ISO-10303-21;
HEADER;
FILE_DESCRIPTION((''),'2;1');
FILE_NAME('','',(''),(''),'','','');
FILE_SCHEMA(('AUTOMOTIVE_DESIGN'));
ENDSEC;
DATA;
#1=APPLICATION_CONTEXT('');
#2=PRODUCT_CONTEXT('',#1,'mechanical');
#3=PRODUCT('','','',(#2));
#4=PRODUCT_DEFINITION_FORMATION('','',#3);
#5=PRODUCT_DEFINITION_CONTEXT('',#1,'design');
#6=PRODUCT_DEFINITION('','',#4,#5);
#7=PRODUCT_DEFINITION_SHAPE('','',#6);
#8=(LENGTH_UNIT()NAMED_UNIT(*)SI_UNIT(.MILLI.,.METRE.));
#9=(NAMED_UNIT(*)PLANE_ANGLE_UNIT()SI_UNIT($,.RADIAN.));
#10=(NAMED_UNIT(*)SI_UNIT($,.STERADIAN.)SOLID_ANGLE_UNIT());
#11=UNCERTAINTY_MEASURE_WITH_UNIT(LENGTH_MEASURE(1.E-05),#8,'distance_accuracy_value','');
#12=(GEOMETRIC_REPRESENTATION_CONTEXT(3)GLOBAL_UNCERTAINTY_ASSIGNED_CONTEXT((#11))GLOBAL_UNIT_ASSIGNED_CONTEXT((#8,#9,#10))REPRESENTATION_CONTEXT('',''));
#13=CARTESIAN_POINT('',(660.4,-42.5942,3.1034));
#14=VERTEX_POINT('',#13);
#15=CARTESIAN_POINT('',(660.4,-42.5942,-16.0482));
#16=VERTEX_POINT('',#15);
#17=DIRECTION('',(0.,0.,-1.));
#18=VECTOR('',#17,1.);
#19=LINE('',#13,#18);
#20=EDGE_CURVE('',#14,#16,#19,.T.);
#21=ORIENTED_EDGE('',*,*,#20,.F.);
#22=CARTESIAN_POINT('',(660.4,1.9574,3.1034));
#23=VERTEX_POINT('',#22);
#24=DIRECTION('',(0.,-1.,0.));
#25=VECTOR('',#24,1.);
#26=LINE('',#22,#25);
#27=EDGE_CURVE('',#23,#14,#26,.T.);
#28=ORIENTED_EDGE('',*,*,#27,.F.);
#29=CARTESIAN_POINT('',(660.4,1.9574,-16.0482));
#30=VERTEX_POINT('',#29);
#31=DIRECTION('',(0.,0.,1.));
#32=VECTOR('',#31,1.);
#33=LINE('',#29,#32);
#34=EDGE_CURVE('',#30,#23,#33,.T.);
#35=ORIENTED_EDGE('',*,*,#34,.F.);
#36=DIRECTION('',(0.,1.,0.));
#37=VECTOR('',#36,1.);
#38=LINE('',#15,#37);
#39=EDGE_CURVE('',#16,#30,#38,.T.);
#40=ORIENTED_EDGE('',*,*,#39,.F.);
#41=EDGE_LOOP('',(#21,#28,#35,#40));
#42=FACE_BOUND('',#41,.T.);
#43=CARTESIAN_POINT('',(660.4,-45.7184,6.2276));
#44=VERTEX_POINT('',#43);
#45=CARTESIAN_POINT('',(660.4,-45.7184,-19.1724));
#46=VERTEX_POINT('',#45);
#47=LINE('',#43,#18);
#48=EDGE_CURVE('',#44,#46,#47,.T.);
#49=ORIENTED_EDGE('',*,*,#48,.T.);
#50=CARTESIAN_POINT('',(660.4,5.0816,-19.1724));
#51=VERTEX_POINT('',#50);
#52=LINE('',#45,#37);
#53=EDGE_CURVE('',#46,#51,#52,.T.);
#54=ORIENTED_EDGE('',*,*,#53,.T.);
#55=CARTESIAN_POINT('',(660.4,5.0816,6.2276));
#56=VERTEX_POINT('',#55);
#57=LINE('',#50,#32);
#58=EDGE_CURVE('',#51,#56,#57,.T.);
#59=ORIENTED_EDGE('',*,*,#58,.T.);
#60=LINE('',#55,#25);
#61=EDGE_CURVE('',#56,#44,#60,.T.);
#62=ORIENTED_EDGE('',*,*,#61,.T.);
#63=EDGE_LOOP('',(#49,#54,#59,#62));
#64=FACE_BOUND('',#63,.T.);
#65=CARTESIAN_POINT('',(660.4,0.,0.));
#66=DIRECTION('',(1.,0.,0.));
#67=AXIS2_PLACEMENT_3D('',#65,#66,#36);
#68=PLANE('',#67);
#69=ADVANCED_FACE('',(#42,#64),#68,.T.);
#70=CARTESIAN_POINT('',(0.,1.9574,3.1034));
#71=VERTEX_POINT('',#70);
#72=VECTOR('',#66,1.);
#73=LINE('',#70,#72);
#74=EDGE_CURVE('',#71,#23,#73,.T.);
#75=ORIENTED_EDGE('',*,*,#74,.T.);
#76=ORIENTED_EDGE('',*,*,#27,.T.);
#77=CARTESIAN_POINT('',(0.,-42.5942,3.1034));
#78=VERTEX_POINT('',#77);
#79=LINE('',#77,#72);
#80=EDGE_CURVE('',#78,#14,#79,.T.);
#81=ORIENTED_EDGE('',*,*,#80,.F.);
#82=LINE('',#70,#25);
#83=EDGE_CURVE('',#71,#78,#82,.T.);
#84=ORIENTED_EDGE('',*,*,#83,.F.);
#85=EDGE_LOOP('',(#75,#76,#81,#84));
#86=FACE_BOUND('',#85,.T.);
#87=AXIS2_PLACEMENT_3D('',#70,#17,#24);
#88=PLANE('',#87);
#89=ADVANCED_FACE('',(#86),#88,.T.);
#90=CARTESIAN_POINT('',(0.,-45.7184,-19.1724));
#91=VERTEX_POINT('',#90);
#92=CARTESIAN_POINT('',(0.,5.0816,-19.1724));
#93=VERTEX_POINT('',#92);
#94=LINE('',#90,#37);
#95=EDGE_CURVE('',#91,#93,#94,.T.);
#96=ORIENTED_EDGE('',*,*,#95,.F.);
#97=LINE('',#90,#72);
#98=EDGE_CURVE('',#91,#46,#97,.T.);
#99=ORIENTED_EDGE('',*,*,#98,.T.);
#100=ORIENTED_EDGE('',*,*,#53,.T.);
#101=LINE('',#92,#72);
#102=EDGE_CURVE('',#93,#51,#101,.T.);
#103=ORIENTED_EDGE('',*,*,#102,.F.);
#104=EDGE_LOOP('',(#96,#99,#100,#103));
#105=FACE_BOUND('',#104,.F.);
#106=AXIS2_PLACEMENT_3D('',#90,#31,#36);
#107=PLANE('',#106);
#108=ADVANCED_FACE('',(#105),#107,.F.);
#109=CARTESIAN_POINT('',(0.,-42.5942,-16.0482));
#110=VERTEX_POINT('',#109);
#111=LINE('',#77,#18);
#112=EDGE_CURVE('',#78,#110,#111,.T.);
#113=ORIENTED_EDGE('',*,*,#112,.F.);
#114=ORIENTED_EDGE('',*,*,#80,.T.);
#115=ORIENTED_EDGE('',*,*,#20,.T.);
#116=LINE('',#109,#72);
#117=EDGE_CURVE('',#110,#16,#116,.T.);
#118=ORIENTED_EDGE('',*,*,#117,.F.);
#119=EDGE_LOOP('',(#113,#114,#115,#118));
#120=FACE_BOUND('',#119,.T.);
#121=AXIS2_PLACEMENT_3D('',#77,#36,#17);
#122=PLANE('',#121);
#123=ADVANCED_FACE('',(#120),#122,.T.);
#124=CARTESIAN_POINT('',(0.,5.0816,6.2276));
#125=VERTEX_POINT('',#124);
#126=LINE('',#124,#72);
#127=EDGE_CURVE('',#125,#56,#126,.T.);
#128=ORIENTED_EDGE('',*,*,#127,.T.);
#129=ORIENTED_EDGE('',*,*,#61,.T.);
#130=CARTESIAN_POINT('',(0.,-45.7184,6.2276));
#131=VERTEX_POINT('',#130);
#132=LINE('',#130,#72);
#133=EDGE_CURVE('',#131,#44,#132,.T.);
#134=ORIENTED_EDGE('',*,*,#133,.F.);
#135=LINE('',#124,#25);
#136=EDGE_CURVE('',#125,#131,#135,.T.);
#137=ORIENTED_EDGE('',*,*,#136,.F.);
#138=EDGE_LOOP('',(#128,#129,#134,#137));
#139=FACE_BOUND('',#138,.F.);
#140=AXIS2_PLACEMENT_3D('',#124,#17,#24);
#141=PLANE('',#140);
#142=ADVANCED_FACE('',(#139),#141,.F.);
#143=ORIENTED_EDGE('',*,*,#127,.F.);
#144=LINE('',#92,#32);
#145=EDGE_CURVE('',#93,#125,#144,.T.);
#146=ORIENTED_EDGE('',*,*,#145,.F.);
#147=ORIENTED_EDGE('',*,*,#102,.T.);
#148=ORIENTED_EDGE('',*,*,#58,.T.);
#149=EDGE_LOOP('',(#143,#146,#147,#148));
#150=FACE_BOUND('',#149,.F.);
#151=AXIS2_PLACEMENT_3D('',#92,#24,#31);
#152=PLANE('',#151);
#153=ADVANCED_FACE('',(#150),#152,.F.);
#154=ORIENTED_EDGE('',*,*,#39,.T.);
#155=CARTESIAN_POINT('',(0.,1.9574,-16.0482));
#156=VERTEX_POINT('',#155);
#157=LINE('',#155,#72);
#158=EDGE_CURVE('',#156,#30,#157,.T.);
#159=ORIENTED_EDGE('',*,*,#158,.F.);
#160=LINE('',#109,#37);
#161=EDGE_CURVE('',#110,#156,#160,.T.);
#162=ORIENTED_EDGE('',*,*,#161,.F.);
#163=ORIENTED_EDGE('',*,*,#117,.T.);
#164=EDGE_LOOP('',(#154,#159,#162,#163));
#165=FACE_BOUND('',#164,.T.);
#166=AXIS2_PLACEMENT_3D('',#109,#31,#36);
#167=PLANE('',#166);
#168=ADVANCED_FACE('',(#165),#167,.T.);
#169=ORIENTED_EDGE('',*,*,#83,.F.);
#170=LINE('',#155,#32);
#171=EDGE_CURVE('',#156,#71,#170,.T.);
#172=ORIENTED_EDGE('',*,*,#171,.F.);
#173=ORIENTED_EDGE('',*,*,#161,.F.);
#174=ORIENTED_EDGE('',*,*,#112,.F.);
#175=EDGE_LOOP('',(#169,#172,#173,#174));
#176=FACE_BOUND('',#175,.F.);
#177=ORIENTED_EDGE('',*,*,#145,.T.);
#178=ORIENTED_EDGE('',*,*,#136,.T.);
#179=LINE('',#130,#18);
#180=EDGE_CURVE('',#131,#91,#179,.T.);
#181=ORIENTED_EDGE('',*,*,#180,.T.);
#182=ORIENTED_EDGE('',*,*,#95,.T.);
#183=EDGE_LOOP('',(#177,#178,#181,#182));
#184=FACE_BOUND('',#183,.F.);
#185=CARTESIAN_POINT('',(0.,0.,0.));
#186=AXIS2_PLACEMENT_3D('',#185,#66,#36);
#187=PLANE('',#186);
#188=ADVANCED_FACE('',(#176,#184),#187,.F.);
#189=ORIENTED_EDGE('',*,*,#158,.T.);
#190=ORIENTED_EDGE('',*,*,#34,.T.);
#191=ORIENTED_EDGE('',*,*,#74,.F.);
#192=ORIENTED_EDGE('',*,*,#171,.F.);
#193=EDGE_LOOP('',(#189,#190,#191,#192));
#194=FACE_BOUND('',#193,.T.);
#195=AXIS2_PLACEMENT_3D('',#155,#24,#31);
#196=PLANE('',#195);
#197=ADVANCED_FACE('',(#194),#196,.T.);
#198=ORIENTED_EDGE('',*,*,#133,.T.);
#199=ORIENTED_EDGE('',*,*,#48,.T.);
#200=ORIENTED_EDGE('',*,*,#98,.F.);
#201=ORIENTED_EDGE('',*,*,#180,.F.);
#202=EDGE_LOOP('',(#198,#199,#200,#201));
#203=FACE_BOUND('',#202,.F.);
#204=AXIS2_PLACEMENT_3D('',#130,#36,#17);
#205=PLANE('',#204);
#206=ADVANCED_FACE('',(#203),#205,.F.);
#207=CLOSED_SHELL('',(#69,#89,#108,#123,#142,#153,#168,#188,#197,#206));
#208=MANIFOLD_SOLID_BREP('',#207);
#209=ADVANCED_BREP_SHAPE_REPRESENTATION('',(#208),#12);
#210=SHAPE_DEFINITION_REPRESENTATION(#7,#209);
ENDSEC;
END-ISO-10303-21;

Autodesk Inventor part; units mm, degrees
ref_plane "YZ Plane" through (0, 0, 0) normal (1, 0, 0) x (0, 1, 0)
ref_plane "XZ Plane" through (0, 0, 0) normal (0, 1, 0) x (-1, 0, 0)
ref_plane "XY Plane" through (0, 0, 0) normal (0, 0, 1) x (1, 0, 0)
sketch "Sketch1" plane through (0, 0, 0) normal (1, 0, 0) x (0, 1, 0)
  line L0 (5.0816, 6.2276) -> (-45.7184, 6.2276)
  line L1 (-45.7184, 6.2276) -> (-45.7184, -19.1724)
  line L2 (-45.7184, -19.1724) -> (5.0816, -19.1724)
  line L3 (5.0816, -19.1724) -> (5.0816, 6.2276)
  line L4 (1.9574, 3.1034) -> (-42.5942, 3.1034)
  line L5 (-42.5942, 3.1034) -> (-42.5942, -16.0482)
  line L6 (-42.5942, -16.0482) -> (1.9574, -16.0482)
  line L7 (1.9574, -16.0482) -> (1.9574, 3.1034)
  point P0 (0, 0)
  dimension "d0" = 50.8
  dimension "d1" = 25.4
  dimension "d2" = 3.1242
extrude "Extrusion1" add sketch "Sketch1" along normal blind 660.4
properties part number "26in box beam"
